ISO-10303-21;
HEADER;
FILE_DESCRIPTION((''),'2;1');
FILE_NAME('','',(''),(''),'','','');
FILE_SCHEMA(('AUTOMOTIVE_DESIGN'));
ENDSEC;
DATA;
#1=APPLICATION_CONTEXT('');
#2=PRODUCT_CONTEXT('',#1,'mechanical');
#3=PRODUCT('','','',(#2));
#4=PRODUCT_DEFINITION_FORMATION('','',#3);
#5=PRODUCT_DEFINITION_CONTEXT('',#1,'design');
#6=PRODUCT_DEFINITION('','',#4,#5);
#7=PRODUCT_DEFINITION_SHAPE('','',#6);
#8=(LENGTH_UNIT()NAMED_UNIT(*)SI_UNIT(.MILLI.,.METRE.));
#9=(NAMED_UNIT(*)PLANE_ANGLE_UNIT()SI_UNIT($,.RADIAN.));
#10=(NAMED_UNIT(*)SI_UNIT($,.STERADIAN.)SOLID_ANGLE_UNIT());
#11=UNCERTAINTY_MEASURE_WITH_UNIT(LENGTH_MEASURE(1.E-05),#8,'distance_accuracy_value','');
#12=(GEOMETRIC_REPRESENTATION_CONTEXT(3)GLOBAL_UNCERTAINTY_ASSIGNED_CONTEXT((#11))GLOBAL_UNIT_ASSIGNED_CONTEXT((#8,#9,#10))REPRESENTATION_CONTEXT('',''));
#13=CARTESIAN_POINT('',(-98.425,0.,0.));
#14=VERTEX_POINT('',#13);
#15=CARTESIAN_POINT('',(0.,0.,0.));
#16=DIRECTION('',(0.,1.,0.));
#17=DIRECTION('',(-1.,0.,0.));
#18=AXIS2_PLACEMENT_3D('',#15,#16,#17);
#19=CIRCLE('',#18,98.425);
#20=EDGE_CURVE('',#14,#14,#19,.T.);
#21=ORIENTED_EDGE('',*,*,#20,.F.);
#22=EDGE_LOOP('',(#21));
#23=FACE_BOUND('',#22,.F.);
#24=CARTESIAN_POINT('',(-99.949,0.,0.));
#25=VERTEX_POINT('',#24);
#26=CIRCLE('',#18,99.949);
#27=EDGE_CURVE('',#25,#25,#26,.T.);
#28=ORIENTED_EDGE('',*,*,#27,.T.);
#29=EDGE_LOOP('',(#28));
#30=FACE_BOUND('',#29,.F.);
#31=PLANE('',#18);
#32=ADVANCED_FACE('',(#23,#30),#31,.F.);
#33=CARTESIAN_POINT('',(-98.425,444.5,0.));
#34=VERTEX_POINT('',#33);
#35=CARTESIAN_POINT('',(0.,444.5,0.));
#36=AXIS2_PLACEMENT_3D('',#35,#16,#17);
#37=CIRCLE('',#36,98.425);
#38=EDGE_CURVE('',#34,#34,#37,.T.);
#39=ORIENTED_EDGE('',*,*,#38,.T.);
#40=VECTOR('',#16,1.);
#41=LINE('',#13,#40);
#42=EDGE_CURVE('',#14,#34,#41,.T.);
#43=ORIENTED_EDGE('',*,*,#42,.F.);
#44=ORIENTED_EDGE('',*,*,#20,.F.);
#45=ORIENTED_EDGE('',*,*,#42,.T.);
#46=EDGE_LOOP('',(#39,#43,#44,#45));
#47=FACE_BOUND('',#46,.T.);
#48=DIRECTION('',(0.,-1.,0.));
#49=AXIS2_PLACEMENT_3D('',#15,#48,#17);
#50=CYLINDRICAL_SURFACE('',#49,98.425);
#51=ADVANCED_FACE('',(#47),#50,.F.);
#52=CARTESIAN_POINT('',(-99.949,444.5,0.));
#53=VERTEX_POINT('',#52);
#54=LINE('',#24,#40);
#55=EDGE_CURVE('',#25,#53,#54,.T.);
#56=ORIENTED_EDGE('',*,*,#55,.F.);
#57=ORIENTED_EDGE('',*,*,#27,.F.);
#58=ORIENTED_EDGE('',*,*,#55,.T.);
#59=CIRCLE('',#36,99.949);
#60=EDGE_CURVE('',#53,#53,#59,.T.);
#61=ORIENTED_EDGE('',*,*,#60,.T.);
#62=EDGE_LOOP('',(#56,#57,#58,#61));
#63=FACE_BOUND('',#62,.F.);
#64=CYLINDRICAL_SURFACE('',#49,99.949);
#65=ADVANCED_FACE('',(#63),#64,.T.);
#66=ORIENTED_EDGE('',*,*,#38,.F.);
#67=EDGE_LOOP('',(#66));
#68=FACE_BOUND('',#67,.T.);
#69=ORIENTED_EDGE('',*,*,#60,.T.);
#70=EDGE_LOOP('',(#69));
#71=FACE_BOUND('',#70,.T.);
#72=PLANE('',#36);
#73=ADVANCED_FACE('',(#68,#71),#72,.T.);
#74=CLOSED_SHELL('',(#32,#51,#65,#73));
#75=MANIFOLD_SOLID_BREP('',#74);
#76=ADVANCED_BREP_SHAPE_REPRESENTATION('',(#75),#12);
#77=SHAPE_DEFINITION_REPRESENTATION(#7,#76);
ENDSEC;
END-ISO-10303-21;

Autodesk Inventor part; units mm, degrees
ref_plane "YZ Plane" through (0, 0, 0) normal (1, 0, 0) x (0, 1, 0)
ref_plane "XZ Plane" through (0, 0, 0) normal (0, 1, 0) x (-1, 0, 0)
ref_plane "XY Plane" through (0, 0, 0) normal (0, 0, 1) x (1, 0, 0)
sketch "Sketch1" plane through (0, 0, 0) normal (0, 1, 0) x (-1, 0, 0)
  circle A0 centre (0, 0) radius 98.425
  circle A1 centre (0, 0) radius 99.949
  dimension "d0" = 196.85
  dimension "d1" = 1.524
extrude "Extrusion1" add sketch "Sketch1" along normal blind 444.5
properties part number "4K sheild body2" material "Copper"
